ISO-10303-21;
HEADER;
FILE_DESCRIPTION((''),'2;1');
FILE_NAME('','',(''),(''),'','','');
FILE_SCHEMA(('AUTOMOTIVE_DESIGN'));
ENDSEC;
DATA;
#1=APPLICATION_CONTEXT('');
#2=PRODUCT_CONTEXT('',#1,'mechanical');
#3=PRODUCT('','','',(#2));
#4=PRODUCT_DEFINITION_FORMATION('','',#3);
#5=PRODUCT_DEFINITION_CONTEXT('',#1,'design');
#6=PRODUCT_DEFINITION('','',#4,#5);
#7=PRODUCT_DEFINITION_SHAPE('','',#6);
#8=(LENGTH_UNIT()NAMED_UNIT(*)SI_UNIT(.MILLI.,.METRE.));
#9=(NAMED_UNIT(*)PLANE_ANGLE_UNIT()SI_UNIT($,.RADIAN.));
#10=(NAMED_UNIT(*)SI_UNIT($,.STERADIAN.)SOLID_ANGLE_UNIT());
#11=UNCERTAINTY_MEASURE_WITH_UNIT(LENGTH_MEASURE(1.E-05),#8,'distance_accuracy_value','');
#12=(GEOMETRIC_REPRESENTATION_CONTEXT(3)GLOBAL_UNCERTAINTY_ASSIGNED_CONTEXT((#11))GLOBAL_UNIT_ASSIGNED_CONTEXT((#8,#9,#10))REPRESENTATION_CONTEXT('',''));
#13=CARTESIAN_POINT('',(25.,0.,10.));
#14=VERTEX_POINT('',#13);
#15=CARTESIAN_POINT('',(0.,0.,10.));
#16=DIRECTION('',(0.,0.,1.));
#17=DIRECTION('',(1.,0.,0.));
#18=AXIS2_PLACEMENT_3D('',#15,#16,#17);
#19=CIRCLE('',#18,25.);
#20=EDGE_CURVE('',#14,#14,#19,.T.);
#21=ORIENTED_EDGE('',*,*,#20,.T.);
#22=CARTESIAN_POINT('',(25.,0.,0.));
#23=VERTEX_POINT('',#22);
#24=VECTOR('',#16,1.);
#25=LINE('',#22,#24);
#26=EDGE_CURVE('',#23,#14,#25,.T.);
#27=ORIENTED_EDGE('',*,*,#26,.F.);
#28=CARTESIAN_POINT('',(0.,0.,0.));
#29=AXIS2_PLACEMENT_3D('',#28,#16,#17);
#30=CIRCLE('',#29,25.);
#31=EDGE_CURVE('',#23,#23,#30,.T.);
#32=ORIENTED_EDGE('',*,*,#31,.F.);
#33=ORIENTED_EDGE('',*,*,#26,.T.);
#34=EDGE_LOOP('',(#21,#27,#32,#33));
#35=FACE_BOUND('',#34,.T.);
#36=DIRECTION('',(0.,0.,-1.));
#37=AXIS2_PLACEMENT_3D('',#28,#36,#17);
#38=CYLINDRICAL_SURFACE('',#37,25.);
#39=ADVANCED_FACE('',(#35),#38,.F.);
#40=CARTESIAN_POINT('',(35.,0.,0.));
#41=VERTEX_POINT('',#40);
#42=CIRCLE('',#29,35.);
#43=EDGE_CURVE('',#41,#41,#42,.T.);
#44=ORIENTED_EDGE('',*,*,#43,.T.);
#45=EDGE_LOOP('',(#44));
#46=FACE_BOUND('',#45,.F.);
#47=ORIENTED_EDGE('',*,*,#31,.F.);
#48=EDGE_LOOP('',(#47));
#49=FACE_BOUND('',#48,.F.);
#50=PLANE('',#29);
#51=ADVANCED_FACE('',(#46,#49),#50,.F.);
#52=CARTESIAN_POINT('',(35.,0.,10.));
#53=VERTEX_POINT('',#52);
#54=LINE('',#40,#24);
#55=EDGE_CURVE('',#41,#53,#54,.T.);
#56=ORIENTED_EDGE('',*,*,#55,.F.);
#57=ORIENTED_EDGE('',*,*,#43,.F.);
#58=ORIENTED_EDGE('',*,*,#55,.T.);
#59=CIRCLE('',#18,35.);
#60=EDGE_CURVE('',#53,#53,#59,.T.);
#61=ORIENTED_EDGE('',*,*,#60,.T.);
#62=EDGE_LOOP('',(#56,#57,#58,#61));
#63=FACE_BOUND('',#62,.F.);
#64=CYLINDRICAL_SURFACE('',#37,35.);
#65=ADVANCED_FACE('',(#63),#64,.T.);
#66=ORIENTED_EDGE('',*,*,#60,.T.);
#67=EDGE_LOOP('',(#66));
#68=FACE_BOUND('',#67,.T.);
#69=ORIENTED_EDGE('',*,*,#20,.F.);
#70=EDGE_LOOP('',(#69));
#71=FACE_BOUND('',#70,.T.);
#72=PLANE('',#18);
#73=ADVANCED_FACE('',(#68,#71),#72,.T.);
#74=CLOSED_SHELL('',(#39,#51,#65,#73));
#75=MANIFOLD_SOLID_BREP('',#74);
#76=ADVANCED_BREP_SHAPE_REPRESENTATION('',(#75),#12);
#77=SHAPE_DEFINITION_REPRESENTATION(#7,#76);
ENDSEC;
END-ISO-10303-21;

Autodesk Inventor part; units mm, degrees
ref_plane "YZ Plane" through (0, 0, 0) normal (1, 0, 0) x (0, 1, 0)
ref_plane "XZ Plane" through (0, 0, 0) normal (0, 1, 0) x (-1, 0, 0)
ref_plane "XY Plane" through (0, 0, 0) normal (0, 0, 1) x (1, 0, 0)
sketch "Skizze1" plane through (0, 0, 0) normal (0, 0, 1) x (1, 0, 0)
  circle A0 centre (0, 0) radius 25
  circle A1 centre (0, 0) radius 35
  dimension "d0" = 50
  dimension "d1" = 70
extrude "Extrusion1" add sketch "Skizze1" along normal blind 10
properties part number "Schleifisolierring"
